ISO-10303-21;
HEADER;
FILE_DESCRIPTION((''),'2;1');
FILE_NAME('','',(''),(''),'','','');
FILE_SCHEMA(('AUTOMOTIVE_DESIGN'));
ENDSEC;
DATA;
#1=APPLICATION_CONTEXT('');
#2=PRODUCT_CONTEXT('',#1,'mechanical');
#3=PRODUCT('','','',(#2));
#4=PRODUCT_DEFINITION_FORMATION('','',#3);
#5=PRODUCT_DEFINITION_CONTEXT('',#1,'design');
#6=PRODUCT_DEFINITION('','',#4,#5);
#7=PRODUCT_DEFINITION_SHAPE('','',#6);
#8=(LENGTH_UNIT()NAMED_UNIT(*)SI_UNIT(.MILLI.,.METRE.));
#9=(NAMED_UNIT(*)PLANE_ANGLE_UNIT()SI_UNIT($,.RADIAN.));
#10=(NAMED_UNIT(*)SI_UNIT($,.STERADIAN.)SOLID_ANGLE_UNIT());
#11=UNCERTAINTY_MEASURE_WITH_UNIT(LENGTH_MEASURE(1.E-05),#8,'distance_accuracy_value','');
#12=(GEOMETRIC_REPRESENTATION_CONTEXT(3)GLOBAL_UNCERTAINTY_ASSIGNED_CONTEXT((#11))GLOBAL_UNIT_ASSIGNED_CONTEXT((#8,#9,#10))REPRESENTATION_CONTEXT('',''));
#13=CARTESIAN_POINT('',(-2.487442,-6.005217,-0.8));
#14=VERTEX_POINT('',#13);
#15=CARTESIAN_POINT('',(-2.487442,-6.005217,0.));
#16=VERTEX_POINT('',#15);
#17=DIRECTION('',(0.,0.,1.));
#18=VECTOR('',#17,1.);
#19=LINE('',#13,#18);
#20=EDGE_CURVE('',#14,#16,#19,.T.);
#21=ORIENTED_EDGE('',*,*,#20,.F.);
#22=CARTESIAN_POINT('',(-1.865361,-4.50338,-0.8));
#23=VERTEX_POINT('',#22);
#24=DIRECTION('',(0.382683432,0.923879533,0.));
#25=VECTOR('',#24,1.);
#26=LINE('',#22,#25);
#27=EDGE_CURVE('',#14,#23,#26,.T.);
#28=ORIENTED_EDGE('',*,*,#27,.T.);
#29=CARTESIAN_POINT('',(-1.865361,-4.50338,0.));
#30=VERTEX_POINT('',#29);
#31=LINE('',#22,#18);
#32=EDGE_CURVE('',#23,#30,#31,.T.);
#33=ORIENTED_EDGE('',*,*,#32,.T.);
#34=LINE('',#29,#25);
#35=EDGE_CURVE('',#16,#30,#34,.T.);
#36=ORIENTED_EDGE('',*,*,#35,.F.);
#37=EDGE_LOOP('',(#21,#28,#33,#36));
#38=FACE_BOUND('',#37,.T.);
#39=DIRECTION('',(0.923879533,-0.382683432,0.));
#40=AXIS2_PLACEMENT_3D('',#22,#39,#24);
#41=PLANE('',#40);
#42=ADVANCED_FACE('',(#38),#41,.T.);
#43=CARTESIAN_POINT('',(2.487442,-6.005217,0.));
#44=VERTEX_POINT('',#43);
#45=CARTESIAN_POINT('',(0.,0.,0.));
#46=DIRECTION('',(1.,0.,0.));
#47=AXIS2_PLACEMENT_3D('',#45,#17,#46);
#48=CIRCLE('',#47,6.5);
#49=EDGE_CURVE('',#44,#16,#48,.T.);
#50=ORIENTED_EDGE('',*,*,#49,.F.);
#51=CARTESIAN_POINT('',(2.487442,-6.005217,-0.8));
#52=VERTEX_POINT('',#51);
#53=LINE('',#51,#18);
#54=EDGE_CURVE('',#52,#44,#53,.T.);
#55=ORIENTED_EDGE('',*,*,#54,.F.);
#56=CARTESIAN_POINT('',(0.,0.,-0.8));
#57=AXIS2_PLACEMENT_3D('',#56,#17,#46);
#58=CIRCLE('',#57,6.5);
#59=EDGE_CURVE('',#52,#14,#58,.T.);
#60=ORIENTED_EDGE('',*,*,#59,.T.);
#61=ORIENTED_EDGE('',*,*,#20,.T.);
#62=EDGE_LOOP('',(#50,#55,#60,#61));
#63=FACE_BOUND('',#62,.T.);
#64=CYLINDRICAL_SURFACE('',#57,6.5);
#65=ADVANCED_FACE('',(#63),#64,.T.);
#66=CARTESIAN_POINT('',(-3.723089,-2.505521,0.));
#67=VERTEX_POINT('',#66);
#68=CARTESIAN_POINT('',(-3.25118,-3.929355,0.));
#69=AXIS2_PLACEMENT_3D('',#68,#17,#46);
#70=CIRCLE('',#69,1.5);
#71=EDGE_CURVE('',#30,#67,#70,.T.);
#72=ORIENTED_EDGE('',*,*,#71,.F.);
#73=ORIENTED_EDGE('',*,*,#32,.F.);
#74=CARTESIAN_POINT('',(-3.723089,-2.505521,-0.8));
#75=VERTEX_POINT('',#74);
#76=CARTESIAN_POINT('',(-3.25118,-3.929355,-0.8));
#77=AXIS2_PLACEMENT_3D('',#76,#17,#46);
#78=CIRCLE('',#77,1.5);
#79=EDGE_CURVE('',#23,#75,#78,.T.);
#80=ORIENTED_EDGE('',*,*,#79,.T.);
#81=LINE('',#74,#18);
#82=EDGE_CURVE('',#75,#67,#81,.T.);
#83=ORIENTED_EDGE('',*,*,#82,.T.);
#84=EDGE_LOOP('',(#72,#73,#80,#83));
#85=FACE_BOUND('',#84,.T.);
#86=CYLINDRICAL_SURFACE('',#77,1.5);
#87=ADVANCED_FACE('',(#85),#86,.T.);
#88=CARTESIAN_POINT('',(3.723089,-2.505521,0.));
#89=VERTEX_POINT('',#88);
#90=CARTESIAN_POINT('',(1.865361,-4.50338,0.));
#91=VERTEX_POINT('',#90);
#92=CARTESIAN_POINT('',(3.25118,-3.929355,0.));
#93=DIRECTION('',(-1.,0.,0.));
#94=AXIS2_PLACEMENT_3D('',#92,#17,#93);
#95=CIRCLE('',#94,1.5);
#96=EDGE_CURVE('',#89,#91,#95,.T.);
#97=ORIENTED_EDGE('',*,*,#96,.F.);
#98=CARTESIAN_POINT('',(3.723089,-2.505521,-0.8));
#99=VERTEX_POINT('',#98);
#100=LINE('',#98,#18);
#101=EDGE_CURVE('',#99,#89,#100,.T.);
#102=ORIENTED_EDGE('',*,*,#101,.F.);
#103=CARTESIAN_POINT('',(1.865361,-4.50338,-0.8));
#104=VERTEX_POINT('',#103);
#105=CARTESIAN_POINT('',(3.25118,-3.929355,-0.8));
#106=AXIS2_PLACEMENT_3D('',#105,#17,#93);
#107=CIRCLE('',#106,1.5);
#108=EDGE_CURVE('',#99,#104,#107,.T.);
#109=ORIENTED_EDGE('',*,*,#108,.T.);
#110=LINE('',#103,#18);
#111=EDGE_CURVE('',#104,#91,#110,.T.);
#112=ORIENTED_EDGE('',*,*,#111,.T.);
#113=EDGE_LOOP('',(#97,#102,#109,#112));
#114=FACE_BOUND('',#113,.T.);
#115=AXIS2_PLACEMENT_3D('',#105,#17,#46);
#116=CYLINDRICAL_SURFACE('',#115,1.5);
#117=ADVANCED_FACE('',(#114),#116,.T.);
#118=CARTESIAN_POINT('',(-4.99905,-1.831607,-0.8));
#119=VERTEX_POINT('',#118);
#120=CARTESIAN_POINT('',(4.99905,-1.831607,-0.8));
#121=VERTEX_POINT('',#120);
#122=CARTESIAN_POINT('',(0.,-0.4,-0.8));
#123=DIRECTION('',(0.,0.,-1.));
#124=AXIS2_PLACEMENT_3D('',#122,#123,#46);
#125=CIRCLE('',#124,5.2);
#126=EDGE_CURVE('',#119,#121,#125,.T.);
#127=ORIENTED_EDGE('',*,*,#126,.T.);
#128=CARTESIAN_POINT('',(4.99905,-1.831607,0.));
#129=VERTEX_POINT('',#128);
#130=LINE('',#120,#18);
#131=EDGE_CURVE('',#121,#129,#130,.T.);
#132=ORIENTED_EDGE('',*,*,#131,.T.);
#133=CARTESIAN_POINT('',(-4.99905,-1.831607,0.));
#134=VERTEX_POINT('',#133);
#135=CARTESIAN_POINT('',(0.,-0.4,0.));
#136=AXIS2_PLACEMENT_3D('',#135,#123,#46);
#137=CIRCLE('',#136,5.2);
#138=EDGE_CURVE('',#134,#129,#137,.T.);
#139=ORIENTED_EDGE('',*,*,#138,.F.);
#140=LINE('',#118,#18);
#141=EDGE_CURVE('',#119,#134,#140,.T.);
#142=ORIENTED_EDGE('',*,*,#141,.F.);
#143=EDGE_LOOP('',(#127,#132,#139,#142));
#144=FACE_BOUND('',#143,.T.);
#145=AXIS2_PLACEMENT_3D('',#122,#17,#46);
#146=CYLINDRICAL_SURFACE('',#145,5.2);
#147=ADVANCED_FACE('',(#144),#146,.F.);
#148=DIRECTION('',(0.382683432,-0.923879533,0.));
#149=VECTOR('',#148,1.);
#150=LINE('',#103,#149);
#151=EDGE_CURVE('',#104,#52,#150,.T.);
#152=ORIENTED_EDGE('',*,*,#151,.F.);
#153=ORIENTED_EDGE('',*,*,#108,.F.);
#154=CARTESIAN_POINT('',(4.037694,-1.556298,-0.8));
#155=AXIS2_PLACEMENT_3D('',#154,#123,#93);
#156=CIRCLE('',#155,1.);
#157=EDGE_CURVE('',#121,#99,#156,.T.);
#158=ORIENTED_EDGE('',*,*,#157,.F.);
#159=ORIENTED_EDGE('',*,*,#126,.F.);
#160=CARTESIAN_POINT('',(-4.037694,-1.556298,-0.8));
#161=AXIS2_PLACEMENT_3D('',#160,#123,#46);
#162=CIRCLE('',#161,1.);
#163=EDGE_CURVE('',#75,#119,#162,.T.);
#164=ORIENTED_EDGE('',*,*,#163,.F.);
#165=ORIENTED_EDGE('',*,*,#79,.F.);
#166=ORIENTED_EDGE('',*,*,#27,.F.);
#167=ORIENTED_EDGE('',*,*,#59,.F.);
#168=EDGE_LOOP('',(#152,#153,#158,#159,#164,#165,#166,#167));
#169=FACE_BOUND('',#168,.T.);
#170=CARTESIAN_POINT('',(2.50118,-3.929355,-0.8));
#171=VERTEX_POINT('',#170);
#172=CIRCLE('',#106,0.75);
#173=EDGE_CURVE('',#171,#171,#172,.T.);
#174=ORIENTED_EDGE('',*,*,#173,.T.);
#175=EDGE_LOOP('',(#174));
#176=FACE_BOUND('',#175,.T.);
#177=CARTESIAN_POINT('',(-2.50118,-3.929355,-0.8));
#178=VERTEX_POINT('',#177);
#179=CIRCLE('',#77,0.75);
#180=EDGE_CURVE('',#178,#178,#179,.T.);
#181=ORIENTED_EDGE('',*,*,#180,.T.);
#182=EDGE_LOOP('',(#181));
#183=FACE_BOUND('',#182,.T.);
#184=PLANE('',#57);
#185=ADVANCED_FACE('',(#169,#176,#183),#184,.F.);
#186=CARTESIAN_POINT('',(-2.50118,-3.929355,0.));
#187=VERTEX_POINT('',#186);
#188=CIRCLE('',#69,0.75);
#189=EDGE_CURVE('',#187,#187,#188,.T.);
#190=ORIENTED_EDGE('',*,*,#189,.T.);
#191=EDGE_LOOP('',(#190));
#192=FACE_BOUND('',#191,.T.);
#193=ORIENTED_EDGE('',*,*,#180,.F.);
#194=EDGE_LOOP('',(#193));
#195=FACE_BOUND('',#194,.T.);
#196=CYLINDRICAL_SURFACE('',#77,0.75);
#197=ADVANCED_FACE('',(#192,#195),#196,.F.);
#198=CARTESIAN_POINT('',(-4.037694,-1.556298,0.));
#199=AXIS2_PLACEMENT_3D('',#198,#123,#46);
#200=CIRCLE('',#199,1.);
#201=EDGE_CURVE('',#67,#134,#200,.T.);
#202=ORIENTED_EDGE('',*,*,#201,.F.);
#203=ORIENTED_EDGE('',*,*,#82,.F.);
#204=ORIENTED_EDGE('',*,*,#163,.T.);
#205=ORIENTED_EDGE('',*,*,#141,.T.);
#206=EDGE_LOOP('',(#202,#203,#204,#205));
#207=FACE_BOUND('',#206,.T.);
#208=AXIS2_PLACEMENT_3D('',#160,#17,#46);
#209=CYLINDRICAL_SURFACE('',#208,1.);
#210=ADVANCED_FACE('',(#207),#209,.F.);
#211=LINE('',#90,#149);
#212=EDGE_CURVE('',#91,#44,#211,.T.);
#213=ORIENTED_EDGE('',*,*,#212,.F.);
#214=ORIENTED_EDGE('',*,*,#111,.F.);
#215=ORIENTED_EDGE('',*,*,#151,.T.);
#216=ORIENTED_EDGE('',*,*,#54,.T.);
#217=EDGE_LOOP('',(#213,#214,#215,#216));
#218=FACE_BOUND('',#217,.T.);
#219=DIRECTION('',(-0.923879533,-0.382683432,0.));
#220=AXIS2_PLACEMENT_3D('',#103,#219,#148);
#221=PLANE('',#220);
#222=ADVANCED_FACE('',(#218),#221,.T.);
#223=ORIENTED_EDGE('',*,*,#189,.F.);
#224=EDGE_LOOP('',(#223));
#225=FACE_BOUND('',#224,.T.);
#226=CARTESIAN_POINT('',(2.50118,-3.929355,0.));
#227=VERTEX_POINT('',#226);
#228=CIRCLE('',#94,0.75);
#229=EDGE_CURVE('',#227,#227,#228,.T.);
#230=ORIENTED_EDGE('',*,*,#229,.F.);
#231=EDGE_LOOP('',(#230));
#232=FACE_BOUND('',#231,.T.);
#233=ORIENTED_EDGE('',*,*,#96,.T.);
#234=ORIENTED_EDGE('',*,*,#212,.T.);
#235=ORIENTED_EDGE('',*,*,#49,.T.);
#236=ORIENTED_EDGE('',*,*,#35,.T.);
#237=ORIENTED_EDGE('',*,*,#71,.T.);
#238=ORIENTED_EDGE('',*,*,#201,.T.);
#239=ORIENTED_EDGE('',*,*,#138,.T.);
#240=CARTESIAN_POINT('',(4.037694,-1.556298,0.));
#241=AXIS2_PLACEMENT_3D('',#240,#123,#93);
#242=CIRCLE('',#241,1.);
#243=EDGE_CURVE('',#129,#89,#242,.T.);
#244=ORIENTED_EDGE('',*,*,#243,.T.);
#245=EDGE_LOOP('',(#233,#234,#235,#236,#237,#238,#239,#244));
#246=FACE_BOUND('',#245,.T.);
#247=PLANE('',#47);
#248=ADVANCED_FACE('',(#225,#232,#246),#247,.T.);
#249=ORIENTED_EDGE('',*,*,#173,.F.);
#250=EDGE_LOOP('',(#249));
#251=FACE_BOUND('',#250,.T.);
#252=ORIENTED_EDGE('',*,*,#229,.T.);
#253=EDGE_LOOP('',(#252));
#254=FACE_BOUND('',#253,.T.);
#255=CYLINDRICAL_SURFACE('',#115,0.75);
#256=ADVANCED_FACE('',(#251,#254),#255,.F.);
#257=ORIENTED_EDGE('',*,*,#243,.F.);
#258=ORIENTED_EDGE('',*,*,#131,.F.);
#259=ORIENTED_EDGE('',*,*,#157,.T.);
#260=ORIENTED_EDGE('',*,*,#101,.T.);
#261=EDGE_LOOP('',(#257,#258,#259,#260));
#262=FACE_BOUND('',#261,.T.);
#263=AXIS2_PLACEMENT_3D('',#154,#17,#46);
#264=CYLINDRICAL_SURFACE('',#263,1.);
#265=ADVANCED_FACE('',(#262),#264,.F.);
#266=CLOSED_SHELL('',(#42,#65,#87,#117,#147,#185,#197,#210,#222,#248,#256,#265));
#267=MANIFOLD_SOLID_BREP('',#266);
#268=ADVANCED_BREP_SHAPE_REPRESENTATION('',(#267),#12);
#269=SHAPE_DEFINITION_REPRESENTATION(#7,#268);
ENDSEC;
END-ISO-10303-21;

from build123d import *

# Parameters (mm, degrees)
SKETCH1_R  = 0.75
BODY_DEPTH = 0.8


with BuildPart() as part:
    # Sketch1 → Body (new body)
    with BuildSketch(Plane.XY):
        with BuildLine():
            Line((1.865360941, -4.503379682), (2.48744231, -6.005216961))
            ThreePointArc((2.48744231, -6.005216961), (0, 6.5), (-2.48744231, -6.005216961))
            Line((-2.48744231, -6.005216961), (-1.865360941, -4.503379682))
            ThreePointArc((-1.865360941, -4.503379682), (-2.152695679, -2.907918451), (-3.723088598, -2.5055208))
            ThreePointArc((-3.723088598, -2.5055208), (-4.504717999, -2.440543041), (-4.999049926, -1.831607432))
            ThreePointArc((-4.999049926, -1.831607432), (0, 4.8), (4.999049926, -1.831607432))
            ThreePointArc((4.999049926, -1.831607432), (4.504717999, -2.440543041), (3.723088598, -2.5055208))
            ThreePointArc((3.723088598, -2.5055208), (2.152695679, -2.907918451), (1.865360941, -4.503379682))
        make_face()
        with Locations(Location((3.25118024, -3.929354533, 0), (0, 0, 180))):
            Circle(SKETCH1_R, mode=Mode.SUBTRACT)
        with Locations((-3.25118024, -3.929354533)):
            Circle(SKETCH1_R, mode=Mode.SUBTRACT)
    extrude(amount=-BODY_DEPTH)


solid = part.part
